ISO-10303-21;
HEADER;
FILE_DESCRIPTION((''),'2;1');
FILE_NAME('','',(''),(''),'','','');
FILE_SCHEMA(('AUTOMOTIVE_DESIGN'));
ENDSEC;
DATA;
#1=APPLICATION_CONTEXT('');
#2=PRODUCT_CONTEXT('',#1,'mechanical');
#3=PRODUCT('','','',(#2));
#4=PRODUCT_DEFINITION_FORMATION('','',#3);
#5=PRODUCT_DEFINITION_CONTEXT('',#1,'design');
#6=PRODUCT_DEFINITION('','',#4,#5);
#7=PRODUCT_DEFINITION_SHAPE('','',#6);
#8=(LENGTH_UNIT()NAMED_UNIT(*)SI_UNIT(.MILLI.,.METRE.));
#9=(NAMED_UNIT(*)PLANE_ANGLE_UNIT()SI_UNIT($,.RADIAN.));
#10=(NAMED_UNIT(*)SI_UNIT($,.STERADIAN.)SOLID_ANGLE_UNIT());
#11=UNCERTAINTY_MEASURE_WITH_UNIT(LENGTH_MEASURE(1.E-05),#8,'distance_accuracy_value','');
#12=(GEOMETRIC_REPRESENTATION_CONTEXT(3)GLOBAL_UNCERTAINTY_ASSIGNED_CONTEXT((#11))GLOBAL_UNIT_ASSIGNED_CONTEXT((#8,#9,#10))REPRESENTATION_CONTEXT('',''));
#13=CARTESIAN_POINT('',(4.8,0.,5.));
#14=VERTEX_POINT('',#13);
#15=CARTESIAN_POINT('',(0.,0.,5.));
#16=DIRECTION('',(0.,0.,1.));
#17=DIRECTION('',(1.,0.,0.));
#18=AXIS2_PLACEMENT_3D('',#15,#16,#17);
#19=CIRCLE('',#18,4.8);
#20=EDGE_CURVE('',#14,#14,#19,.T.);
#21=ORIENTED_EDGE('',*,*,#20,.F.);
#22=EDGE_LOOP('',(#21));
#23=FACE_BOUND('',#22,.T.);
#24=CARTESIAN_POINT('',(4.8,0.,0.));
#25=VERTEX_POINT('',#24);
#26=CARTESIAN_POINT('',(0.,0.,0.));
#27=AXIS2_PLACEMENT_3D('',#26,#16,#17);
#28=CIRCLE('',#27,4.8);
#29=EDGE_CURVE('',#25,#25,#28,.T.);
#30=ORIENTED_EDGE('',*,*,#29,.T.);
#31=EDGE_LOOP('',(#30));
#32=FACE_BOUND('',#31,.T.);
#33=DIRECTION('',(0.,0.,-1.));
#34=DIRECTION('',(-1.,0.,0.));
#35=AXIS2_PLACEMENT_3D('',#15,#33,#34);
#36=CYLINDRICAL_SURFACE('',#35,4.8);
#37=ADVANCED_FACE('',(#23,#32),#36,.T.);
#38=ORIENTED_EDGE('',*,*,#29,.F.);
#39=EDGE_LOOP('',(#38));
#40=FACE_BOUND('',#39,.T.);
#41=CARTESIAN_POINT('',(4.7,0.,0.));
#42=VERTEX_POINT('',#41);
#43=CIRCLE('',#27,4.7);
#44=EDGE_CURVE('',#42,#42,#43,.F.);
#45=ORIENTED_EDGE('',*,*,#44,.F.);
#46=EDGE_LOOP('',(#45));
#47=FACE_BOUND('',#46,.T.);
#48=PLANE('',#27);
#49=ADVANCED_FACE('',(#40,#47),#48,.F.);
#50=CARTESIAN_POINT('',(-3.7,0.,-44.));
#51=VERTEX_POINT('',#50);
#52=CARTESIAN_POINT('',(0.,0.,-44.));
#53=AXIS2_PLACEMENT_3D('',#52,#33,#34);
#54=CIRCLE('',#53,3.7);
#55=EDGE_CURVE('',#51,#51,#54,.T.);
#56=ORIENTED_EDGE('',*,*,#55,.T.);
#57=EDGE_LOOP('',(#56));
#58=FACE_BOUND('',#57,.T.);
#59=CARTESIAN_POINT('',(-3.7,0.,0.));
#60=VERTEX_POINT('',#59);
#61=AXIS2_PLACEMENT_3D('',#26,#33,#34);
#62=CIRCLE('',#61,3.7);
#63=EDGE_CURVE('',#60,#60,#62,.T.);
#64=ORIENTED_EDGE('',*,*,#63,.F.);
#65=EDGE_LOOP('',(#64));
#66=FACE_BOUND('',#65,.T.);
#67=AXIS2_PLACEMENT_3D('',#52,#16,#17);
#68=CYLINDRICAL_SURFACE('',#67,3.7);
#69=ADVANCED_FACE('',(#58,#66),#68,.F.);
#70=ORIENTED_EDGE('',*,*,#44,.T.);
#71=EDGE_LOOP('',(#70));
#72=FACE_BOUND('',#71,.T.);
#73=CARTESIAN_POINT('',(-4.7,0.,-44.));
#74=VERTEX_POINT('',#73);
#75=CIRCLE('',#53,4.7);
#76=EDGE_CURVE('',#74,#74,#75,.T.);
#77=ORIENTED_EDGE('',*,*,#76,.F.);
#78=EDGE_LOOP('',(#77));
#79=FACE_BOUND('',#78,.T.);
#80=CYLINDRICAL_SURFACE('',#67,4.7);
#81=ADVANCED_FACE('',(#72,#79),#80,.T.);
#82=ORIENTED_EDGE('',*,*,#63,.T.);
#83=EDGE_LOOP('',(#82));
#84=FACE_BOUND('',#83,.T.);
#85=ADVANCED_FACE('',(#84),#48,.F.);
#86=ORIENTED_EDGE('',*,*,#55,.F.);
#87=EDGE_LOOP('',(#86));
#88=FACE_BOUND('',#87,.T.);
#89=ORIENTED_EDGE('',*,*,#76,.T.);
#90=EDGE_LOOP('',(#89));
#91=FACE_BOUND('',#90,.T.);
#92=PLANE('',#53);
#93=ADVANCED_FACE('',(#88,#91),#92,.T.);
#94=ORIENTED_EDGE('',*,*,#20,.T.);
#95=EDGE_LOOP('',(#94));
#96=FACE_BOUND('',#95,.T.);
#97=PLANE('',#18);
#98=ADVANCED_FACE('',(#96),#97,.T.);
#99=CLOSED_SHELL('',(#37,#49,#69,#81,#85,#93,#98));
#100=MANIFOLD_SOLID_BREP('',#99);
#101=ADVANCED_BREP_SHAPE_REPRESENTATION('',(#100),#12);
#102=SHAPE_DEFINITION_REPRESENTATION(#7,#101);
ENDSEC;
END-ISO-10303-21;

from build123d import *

# Parameters (mm, degrees)
SKETCH1_R           = 4.8
BOSS_EXTRUDE1_DEPTH = 5
SKETCH2_R           = 4.7
SKETCH2_R_2         = 3.7
EXTRUDE_THIN3_DEPTH = 44


with BuildPart() as part:
    # Sketch1 → Boss-Extrude1 (new body)
    with BuildSketch(Plane.XY):
        Circle(SKETCH1_R)
    extrude(amount=BOSS_EXTRUDE1_DEPTH)

    # Sketch2 → Extrude-Thin3 (add)
    with BuildSketch(Plane(origin=(0, 0, 0), x_dir=(-1, 0, 0), z_dir=(0, 0, -1))):
        Circle(SKETCH2_R)
        Circle(SKETCH2_R_2, mode=Mode.SUBTRACT)
    extrude(amount=EXTRUDE_THIN3_DEPTH)


solid = part.part
